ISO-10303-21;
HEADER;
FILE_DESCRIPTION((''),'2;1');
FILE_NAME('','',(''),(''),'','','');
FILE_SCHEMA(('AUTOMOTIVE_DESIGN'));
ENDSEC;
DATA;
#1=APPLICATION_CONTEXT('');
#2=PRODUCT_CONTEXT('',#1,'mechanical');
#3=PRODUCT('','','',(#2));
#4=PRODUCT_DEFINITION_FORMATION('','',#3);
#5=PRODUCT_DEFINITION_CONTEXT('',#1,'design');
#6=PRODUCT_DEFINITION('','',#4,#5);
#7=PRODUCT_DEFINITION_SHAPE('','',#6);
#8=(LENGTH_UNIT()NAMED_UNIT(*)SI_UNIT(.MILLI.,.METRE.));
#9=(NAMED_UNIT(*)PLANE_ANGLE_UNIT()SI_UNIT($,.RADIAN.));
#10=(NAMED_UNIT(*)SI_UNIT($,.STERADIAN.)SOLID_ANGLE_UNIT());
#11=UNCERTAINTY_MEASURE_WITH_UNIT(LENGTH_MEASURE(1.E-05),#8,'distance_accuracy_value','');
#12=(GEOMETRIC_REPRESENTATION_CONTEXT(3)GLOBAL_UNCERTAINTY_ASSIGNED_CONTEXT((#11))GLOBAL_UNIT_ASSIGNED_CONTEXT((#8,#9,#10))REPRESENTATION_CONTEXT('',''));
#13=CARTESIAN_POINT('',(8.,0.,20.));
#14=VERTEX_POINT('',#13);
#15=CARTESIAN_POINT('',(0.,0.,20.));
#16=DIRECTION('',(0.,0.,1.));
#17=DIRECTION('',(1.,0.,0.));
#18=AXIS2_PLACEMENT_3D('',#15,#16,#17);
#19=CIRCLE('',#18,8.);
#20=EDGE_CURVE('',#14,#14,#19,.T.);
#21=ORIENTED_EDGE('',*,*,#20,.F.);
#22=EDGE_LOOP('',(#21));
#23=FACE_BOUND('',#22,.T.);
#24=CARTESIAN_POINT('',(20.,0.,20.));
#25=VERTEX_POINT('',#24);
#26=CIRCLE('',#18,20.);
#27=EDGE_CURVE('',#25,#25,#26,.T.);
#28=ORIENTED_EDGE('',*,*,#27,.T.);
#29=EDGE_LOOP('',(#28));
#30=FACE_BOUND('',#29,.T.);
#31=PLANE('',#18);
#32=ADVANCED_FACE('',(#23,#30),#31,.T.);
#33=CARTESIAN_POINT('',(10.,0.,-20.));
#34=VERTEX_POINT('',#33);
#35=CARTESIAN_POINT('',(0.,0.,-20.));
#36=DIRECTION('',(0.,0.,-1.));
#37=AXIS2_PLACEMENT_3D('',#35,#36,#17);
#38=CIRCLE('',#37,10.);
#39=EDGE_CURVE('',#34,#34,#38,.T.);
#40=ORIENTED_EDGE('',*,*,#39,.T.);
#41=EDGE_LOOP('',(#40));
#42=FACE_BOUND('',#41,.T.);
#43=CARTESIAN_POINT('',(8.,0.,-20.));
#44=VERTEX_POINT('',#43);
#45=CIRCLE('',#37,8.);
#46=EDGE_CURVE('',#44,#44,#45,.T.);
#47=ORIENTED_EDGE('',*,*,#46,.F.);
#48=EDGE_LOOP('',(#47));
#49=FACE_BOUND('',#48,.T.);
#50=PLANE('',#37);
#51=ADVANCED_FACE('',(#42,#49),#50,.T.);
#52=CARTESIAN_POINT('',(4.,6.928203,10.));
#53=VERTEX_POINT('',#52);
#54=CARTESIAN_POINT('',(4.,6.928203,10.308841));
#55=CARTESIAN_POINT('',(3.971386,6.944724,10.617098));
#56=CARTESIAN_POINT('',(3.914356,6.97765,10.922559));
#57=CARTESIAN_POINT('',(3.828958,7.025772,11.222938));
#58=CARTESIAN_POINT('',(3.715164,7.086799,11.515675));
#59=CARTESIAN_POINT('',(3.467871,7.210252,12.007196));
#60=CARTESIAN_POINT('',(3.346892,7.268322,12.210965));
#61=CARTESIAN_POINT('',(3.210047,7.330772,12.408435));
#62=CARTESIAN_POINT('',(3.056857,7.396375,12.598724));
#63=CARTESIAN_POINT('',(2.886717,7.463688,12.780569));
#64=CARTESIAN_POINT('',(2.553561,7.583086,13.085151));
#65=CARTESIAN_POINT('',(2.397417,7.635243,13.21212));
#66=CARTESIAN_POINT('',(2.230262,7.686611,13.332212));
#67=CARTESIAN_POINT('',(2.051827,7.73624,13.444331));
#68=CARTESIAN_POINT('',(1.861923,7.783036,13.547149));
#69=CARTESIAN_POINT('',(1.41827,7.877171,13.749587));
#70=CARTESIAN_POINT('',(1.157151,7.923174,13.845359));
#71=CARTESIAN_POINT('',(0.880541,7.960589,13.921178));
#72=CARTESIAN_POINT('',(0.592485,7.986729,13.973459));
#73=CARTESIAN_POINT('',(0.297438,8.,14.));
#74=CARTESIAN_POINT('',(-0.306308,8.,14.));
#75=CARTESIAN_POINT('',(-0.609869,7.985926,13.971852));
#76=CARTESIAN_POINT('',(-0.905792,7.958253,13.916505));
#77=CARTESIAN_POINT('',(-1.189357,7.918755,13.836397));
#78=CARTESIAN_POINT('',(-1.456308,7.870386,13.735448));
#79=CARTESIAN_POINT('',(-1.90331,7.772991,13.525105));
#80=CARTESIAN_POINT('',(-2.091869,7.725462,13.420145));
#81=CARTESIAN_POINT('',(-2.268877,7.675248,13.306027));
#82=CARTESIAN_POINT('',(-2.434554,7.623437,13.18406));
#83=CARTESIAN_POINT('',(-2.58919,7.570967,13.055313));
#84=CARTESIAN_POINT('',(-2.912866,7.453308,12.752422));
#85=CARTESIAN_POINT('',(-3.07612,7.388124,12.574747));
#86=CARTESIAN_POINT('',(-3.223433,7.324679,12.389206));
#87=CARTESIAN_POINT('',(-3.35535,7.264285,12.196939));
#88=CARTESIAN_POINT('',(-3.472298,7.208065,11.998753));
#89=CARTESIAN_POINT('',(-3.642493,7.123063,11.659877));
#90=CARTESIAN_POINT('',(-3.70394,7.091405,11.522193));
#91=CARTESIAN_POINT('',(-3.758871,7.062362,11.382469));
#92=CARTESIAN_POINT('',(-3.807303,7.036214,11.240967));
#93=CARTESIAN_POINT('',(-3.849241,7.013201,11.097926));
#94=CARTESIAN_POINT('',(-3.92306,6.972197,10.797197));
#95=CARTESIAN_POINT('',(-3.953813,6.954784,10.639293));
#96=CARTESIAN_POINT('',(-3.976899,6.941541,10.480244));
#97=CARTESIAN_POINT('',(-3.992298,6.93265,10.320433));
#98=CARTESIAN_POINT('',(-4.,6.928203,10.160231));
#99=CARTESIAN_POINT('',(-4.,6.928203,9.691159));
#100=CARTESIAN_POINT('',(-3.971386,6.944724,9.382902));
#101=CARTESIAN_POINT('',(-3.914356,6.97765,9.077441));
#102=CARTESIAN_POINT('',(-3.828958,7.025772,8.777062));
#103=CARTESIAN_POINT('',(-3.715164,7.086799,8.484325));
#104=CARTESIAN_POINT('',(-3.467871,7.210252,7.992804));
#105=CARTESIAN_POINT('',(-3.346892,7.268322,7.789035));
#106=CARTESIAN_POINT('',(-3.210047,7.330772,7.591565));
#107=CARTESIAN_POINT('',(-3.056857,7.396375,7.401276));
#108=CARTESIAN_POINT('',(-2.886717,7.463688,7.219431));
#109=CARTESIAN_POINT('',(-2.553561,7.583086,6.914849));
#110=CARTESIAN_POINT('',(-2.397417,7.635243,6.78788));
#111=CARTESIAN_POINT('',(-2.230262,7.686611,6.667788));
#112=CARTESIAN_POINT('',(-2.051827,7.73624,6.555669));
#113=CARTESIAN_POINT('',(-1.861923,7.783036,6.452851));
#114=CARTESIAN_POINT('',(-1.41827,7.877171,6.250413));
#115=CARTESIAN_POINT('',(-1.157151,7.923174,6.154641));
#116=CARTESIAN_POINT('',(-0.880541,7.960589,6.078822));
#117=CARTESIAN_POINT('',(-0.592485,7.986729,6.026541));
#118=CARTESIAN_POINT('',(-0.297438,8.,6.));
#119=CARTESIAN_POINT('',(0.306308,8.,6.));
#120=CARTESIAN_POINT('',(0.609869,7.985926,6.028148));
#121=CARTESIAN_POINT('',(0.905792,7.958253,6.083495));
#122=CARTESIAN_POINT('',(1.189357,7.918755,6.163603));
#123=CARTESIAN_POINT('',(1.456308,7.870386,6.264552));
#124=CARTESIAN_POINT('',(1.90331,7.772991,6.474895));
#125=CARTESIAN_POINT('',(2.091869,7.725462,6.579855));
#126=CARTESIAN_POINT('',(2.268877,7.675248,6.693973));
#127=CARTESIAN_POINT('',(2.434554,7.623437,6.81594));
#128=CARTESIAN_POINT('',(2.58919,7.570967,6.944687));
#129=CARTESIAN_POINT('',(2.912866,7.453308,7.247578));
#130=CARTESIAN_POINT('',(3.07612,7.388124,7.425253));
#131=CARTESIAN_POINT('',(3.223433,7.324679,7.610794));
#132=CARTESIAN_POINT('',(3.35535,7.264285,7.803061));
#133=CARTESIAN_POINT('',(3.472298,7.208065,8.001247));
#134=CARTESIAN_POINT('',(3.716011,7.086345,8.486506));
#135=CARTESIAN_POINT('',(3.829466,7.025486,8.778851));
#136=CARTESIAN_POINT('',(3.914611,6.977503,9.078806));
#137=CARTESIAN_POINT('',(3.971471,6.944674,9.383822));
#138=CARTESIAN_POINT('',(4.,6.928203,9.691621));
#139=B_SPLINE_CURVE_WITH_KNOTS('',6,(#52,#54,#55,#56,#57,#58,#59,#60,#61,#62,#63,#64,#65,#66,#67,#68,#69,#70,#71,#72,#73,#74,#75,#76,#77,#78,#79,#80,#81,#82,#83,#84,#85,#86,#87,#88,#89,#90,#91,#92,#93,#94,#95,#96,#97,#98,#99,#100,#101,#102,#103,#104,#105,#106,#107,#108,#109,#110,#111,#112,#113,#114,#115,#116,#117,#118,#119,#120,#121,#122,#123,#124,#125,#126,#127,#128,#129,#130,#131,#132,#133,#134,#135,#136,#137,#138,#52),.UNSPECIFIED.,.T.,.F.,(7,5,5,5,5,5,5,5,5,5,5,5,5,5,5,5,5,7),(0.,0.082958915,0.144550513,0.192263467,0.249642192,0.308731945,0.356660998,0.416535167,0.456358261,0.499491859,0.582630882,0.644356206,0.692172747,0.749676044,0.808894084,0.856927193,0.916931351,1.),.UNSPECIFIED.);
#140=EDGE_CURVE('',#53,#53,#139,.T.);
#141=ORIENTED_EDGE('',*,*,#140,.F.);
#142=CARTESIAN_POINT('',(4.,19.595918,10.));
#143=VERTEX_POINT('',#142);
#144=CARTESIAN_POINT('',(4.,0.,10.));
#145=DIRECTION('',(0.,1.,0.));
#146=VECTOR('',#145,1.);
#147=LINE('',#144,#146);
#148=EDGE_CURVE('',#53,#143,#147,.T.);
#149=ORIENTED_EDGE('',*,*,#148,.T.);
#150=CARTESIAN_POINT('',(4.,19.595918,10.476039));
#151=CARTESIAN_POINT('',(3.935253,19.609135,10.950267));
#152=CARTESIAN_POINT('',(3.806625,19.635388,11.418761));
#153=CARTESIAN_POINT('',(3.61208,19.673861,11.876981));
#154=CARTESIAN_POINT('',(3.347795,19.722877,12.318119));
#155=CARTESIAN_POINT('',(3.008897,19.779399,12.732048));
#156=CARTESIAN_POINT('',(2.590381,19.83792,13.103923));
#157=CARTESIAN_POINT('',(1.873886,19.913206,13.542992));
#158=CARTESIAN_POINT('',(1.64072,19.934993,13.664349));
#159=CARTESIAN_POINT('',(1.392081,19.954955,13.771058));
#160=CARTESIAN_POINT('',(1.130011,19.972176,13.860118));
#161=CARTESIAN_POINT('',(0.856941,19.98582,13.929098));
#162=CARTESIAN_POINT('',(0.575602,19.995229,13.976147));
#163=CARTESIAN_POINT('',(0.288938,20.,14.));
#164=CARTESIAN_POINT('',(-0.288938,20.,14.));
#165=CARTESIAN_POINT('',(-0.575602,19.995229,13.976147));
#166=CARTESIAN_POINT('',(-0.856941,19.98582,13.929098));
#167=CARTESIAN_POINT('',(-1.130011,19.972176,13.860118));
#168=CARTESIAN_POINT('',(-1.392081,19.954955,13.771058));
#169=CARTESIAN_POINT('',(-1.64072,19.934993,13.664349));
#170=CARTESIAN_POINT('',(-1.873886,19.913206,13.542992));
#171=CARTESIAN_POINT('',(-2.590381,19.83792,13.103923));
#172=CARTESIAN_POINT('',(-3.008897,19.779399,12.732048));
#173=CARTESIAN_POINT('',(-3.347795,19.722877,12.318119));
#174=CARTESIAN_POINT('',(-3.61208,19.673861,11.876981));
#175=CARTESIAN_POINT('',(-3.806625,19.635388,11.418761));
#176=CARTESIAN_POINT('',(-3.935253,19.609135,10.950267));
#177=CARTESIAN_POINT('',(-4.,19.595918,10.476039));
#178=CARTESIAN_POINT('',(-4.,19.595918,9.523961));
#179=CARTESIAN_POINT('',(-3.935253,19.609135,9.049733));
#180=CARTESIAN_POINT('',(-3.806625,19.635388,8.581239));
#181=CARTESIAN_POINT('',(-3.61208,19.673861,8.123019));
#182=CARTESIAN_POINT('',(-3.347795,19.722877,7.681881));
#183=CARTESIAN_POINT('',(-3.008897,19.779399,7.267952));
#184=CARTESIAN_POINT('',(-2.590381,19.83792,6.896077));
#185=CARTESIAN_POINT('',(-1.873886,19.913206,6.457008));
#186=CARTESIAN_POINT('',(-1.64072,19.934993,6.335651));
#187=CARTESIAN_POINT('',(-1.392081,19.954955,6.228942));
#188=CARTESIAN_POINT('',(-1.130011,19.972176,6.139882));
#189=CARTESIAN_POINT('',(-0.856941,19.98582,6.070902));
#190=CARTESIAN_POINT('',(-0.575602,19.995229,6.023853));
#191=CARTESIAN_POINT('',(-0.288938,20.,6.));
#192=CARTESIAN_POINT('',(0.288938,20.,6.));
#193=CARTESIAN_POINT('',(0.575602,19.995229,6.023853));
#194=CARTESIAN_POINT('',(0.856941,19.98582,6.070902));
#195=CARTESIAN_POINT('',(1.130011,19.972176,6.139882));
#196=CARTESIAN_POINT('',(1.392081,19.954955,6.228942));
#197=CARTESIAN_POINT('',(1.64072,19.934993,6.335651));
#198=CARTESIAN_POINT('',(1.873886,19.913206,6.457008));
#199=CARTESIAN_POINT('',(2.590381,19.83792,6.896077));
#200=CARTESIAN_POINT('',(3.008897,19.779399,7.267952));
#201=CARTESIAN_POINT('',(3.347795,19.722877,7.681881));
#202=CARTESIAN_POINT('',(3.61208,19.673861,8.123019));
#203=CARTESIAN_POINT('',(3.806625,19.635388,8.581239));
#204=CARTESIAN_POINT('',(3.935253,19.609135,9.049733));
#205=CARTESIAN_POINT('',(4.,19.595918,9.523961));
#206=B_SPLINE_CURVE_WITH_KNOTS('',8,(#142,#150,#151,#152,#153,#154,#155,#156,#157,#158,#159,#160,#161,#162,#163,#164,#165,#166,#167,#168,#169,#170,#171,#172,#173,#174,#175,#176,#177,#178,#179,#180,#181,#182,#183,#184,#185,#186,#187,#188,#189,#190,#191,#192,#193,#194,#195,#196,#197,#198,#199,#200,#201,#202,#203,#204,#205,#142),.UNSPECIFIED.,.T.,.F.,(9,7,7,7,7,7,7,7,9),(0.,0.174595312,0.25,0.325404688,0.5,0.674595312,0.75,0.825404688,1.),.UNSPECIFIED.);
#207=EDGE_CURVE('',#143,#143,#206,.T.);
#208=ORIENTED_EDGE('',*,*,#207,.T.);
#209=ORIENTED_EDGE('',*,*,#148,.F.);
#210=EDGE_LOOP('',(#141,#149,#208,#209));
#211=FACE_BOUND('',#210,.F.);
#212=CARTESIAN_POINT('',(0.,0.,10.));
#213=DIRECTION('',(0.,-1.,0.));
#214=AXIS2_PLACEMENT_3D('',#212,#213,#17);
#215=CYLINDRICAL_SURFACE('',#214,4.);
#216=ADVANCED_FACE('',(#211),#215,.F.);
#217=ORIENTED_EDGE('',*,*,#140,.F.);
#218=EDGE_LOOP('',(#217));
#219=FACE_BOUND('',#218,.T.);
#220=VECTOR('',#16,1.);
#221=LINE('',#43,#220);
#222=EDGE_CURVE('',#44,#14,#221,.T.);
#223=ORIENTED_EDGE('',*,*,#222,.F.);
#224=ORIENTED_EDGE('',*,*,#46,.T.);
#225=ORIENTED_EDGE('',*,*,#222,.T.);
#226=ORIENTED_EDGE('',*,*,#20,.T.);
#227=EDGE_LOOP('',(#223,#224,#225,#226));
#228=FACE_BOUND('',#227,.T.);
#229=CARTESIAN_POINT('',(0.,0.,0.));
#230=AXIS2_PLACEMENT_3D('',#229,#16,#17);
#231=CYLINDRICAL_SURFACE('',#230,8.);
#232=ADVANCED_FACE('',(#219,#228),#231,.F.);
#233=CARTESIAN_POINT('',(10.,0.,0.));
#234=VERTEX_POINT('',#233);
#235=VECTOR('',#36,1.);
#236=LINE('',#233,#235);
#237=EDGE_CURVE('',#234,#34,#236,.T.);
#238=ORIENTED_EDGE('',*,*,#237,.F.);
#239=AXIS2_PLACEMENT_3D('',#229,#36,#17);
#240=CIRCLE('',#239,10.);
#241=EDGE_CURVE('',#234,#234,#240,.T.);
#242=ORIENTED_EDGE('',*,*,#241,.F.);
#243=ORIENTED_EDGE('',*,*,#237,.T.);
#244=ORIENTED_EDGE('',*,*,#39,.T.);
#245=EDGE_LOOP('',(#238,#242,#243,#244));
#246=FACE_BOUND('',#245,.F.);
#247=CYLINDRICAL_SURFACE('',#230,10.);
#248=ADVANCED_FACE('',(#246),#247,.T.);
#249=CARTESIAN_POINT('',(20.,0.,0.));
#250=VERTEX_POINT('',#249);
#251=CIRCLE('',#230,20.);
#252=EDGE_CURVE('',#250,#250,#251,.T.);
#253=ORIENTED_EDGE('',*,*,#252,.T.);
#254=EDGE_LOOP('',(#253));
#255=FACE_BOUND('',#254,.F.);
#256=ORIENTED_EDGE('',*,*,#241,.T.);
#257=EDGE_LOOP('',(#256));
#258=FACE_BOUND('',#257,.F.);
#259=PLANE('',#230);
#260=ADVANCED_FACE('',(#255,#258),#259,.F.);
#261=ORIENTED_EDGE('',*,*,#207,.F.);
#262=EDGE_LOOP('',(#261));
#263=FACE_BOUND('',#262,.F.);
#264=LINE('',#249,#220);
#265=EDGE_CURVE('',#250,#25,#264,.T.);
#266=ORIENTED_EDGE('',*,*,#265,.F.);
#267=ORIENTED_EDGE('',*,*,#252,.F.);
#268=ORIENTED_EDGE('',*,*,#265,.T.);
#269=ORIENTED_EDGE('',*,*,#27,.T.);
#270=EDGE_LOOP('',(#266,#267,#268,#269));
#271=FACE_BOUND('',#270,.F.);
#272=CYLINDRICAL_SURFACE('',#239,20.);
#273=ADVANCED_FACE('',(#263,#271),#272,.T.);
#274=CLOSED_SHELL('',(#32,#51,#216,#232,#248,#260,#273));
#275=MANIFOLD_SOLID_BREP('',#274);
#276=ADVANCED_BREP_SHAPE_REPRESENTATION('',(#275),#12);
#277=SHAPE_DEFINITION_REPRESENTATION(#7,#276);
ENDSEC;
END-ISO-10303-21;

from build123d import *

# Parameters (mm, degrees)
F0_R     = 20
F0_R_2   = 8
F1_DEPTH = 20
F2_R     = 10
F2_R_2   = 8
F3_DEPTH = 20
F4_R     = 4
F5_DEPTH = 25


with BuildPart() as f1:
    # F0 (on Top) → F1 (new body)
    with BuildSketch(Plane.XY):
        Circle(F0_R)
        Circle(F0_R_2, mode=Mode.SUBTRACT)
    extrude(amount=F1_DEPTH)

    # F2 (on face) → F3 (join)
    with BuildSketch(Plane(origin=(0, 0, 0), x_dir=(1, 0, 0), z_dir=(0, 0, -1))):
        Circle(F2_R)
        Circle(F2_R_2, mode=Mode.SUBTRACT)
    extrude(amount=F3_DEPTH)

    # F4 (on Front) → F5 (cut)
    with BuildSketch(Plane.XZ):
        with Locations((0, 10)):
            Circle(F4_R)
    extrude(amount=-F5_DEPTH, mode=Mode.SUBTRACT)


solid = f1.part
